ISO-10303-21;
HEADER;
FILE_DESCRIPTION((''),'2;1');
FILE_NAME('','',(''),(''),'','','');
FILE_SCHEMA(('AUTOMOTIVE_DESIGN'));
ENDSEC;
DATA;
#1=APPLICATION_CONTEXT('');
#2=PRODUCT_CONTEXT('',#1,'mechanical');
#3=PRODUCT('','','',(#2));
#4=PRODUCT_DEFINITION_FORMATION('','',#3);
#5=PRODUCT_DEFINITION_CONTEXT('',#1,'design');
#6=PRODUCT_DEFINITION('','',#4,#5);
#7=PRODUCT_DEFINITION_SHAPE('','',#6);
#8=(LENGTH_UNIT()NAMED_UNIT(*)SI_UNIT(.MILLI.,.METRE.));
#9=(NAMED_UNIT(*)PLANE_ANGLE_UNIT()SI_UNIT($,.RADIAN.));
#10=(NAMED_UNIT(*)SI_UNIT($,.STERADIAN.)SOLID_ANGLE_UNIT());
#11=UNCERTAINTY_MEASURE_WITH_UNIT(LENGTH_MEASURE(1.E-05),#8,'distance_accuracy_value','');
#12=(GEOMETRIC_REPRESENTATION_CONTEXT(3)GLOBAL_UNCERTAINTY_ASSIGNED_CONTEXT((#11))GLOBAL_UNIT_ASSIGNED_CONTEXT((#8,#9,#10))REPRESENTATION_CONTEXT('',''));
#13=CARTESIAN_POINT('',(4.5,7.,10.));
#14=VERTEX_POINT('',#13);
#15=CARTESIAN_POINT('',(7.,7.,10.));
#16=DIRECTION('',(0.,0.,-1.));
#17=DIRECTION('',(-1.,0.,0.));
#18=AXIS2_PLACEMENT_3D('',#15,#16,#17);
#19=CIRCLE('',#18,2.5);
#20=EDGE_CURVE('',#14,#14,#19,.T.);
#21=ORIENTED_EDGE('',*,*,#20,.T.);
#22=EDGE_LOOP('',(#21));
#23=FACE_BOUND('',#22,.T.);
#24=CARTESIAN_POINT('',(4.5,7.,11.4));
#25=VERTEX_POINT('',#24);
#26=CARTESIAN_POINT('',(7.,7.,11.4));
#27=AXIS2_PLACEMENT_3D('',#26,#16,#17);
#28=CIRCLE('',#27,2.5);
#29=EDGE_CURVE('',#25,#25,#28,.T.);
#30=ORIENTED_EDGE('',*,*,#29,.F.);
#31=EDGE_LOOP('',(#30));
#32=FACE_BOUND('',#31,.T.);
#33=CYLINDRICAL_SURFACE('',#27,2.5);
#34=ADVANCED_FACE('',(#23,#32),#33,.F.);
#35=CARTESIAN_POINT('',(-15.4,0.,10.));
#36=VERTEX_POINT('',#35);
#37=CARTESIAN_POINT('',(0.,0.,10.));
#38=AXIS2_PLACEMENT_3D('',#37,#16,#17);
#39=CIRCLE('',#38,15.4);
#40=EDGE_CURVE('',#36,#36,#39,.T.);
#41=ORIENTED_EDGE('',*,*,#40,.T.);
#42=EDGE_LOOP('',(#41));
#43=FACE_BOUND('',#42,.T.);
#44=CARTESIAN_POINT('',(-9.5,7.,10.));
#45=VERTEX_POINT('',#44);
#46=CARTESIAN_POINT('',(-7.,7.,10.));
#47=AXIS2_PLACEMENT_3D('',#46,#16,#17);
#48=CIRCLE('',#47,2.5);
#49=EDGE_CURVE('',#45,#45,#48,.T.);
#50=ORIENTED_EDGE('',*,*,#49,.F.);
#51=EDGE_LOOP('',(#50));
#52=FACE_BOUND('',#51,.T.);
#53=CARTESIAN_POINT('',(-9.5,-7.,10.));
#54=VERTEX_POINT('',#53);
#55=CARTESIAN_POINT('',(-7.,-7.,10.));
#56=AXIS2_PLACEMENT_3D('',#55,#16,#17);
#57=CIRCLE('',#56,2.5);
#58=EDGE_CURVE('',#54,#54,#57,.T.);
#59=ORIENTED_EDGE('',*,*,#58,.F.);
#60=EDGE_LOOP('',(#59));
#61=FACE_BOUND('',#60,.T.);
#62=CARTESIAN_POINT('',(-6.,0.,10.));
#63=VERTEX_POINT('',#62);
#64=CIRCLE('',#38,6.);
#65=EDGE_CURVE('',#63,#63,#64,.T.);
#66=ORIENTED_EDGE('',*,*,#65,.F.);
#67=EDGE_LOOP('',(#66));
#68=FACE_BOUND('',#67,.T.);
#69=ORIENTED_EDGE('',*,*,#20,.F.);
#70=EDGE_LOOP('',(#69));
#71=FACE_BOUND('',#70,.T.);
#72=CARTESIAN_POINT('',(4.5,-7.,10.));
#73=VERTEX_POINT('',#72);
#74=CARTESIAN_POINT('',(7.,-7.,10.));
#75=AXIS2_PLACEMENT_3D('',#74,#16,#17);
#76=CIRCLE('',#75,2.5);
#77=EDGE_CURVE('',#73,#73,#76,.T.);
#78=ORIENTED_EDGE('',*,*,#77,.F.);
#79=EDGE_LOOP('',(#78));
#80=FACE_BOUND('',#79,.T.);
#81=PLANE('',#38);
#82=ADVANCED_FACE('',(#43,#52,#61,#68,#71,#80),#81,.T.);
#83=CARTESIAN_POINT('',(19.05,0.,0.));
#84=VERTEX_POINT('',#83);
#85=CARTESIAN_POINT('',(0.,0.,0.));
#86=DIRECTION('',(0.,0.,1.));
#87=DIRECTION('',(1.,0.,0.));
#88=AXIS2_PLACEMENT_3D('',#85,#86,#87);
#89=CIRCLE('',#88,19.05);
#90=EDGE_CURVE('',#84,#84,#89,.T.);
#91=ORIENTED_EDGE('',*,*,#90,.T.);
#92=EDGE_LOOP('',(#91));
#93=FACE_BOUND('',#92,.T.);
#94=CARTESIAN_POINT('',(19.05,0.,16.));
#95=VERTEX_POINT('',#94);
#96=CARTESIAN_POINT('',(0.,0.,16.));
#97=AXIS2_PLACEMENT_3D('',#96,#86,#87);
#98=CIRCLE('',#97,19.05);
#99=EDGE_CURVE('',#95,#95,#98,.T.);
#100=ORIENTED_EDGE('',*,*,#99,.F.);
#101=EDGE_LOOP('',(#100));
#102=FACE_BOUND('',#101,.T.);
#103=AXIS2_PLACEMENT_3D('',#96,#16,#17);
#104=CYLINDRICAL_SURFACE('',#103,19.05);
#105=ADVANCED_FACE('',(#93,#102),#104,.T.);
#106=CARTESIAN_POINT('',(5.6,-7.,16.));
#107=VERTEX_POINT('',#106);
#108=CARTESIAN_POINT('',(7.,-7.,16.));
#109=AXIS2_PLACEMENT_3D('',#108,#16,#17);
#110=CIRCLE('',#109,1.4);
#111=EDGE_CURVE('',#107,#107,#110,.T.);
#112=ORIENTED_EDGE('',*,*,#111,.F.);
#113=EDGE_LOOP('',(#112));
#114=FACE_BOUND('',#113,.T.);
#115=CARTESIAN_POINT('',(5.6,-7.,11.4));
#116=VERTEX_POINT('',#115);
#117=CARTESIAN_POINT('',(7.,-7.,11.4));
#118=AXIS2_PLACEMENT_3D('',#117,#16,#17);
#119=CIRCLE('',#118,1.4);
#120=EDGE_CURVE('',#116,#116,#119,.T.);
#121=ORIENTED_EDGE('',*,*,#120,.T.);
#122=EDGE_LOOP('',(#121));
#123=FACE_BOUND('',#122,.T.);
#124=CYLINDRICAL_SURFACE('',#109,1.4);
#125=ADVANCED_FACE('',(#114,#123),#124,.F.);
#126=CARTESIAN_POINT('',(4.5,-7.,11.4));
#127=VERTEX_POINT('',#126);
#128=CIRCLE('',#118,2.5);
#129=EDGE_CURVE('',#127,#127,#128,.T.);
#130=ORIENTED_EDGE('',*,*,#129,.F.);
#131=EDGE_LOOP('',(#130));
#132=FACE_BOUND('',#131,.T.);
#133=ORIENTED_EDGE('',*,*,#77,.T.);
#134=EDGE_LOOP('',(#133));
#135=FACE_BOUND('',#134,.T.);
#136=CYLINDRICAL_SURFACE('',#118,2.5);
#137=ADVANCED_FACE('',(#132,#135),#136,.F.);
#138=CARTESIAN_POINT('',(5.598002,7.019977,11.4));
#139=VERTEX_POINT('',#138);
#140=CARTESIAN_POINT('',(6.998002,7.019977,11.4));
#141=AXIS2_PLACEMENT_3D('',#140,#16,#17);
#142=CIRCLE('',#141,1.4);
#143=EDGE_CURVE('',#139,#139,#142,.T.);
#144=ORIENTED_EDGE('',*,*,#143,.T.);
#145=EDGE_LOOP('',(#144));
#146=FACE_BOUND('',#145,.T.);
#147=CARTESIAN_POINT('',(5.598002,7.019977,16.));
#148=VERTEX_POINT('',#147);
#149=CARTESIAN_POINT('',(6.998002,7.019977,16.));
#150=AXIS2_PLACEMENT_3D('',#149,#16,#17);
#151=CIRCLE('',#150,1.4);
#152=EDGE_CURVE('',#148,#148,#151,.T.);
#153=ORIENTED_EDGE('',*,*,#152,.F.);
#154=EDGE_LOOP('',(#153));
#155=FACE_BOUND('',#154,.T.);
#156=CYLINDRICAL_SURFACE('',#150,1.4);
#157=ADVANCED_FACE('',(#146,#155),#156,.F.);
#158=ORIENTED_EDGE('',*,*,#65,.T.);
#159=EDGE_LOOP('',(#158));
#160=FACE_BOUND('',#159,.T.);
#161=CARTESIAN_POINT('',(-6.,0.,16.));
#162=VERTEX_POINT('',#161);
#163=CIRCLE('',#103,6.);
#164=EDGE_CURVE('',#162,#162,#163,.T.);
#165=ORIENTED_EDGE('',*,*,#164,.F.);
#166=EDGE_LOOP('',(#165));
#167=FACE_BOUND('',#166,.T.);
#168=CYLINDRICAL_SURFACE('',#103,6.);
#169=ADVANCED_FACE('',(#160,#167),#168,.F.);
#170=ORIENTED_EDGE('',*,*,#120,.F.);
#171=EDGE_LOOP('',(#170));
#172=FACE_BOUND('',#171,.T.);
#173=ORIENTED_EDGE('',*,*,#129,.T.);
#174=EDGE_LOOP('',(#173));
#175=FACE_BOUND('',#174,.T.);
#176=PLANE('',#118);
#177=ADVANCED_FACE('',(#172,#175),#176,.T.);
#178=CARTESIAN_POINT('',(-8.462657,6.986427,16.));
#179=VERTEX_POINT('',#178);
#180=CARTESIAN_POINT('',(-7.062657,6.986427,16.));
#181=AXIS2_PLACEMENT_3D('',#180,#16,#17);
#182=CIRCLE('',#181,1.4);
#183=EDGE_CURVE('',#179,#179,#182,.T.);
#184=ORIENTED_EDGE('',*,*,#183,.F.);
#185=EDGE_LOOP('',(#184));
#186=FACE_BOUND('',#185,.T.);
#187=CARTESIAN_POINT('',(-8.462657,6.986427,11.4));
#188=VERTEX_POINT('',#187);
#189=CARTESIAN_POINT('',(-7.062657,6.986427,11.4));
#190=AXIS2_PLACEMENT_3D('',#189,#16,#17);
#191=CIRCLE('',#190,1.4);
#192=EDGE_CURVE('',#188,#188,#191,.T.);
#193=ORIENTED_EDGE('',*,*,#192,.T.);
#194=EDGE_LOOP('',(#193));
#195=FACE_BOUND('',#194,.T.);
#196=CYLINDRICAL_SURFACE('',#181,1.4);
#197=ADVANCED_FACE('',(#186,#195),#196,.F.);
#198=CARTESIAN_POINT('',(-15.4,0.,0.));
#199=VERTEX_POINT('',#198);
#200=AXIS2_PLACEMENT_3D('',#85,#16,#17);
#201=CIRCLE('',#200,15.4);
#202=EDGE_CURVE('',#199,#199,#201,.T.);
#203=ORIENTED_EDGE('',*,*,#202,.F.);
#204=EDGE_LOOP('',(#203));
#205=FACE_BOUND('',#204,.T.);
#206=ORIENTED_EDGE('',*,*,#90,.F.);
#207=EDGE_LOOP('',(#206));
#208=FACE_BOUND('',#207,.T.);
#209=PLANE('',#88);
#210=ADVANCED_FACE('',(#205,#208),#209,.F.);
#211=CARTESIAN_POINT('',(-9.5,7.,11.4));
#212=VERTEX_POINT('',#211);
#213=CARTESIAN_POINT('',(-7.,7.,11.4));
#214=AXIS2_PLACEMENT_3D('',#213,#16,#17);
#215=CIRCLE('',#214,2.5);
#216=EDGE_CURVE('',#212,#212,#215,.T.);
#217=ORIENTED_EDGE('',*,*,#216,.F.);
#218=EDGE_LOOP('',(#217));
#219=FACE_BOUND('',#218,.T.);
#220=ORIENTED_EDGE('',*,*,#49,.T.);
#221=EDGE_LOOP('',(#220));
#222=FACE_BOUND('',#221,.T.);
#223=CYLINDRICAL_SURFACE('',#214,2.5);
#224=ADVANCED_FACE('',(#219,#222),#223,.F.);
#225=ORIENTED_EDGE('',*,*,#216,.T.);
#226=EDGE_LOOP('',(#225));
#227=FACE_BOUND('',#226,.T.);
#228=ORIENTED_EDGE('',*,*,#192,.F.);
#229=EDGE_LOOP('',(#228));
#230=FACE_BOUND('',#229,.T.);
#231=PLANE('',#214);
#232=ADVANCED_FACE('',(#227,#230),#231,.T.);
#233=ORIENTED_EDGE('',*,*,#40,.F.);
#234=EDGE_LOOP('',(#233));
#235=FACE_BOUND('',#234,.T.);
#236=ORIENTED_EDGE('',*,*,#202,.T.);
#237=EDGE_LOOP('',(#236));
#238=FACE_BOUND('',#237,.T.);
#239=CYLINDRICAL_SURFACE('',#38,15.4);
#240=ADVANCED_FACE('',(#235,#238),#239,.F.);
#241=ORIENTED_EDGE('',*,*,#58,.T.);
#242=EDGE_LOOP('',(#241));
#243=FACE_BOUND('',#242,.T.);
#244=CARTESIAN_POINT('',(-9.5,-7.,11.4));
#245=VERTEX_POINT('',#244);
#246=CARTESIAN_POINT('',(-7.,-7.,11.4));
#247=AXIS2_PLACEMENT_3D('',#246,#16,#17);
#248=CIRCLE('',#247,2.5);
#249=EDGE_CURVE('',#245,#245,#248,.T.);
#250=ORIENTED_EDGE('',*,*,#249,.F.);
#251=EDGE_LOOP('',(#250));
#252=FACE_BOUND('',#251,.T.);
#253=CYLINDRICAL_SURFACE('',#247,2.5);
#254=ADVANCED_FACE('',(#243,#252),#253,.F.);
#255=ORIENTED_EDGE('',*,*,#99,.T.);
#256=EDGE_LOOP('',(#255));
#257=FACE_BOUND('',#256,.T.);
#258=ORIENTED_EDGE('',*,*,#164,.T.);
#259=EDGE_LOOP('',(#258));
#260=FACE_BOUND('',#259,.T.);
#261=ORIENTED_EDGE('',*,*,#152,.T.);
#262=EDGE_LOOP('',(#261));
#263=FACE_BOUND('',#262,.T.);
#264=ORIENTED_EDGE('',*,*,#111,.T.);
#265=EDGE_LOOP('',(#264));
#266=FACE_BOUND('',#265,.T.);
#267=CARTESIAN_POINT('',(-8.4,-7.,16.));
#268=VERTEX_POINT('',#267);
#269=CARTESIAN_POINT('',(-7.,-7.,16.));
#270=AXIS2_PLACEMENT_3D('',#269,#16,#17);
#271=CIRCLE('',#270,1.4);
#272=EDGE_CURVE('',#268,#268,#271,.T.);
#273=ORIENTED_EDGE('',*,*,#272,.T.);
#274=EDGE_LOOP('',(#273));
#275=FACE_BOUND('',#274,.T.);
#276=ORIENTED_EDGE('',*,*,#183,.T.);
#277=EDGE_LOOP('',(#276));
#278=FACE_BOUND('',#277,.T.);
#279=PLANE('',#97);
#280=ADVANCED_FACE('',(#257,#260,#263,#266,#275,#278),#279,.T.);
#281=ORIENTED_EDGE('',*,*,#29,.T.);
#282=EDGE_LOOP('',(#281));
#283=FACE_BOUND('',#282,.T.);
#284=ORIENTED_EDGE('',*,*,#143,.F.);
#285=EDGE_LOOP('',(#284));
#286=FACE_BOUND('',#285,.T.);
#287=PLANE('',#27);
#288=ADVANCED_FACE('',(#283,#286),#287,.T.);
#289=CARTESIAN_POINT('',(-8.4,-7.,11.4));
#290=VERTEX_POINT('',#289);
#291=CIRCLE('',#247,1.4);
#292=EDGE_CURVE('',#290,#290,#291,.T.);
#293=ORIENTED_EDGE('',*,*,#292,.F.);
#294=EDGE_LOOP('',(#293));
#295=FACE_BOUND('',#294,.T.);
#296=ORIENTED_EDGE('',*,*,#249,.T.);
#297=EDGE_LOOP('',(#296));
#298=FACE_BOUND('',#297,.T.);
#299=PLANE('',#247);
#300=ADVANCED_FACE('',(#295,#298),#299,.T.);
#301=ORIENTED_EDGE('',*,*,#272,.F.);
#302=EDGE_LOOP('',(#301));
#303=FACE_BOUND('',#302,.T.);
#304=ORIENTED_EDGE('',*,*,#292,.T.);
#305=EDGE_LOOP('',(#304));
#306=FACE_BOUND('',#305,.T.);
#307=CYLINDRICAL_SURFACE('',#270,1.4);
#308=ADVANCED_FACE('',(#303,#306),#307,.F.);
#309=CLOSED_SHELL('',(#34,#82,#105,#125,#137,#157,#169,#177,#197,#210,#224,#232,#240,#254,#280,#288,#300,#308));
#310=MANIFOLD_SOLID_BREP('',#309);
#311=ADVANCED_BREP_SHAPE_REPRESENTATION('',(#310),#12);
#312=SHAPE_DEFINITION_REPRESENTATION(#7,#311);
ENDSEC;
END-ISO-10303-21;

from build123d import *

# Parameters (mm, degrees)
SKETCH1_R           = 19.05
BOSS_EXTRUDE1_DEPTH = 16
SKETCH2_R           = 15.4
CUT_EXTRUDE1_DEPTH  = 10
SKETCH4_R           = 2.5
CUT_EXTRUDE3_DEPTH  = 1.4
SKETCH5_R           = 1.4
CUT_EXTRUDE4_DEPTH  = 5.6
SKETCH6_R           = 1.4
CUT_EXTRUDE5_DEPTH  = 5.6
SKETCH9_R           = 1.4
CUT_EXTRUDE8_DEPTH  = 5.6
SKETCH10_R          = 1.4
CUT_EXTRUDE9_DEPTH  = 5.6
SKETCH11_R          = 6
CUT_EXTRUDE11_DEPTH = 7


with BuildPart() as part:
    # Sketch1 → Boss-Extrude1 (new body)
    with BuildSketch(Plane.XY):
        Circle(SKETCH1_R)
    extrude(amount=BOSS_EXTRUDE1_DEPTH)

    # Sketch2 → Cut-Extrude1 (cut)
    with BuildSketch(Plane(origin=(0, 0, 0), x_dir=(-1, 0, 0), z_dir=(0, 0, -1))):
        Circle(SKETCH2_R)
    extrude(amount=-CUT_EXTRUDE1_DEPTH, mode=Mode.SUBTRACT)

    # Sketch4 → Cut-Extrude3 (cut)
    with BuildSketch(Plane(origin=(0, 0, 10), x_dir=(-1, 0, 0), z_dir=(0, 0, -1))):
        with Locations((-7, 7)):
            Circle(SKETCH4_R)
        with Locations((7, 7)):
            Circle(SKETCH4_R)
        with Locations((7, -7)):
            Circle(SKETCH4_R)
        with Locations((-7, -7)):
            Circle(SKETCH4_R)
    extrude(amount=-CUT_EXTRUDE3_DEPTH, mode=Mode.SUBTRACT)

    # Sketch5 → Cut-Extrude4 (cut, through all)
    with BuildSketch(Plane(origin=(0, 0, 11.4), x_dir=(-1, 0, 0), z_dir=(0, 0, -1))):
        with Locations((-6.998002378, 7.019977132)):
            Circle(SKETCH5_R)
    extrude(amount=-CUT_EXTRUDE4_DEPTH, mode=Mode.SUBTRACT)

    # Sketch6 → Cut-Extrude5 (cut, through all)
    with BuildSketch(Plane(origin=(0, 0, 11.4), x_dir=(-1, 0, 0), z_dir=(0, 0, -1))):
        with Locations((7.062657108, 6.986426582)):
            Circle(SKETCH6_R)
    extrude(amount=-CUT_EXTRUDE5_DEPTH, mode=Mode.SUBTRACT)

    # Sketch9 → Cut-Extrude8 (cut, through all)
    with BuildSketch(Plane(origin=(0, 0, 11.4), x_dir=(-1, 0, 0), z_dir=(0, 0, -1))):
        with Locations((-7, -7)):
            Circle(SKETCH9_R)
    extrude(amount=-CUT_EXTRUDE8_DEPTH, mode=Mode.SUBTRACT)

    # Sketch10 → Cut-Extrude9 (cut, through all)
    with BuildSketch(Plane(origin=(0, 0, 11.4), x_dir=(-1, 0, 0), z_dir=(0, 0, -1))):
        with Locations((7, -7)):
            Circle(SKETCH10_R)
    extrude(amount=-CUT_EXTRUDE9_DEPTH, mode=Mode.SUBTRACT)

    # Sketch11 → Cut-Extrude11 (cut, through all)
    with BuildSketch(Plane(origin=(0, 0, 10), x_dir=(-1, 0, 0), z_dir=(0, 0, -1))):
        Circle(SKETCH11_R)
    extrude(amount=-CUT_EXTRUDE11_DEPTH, mode=Mode.SUBTRACT)


solid = part.part
